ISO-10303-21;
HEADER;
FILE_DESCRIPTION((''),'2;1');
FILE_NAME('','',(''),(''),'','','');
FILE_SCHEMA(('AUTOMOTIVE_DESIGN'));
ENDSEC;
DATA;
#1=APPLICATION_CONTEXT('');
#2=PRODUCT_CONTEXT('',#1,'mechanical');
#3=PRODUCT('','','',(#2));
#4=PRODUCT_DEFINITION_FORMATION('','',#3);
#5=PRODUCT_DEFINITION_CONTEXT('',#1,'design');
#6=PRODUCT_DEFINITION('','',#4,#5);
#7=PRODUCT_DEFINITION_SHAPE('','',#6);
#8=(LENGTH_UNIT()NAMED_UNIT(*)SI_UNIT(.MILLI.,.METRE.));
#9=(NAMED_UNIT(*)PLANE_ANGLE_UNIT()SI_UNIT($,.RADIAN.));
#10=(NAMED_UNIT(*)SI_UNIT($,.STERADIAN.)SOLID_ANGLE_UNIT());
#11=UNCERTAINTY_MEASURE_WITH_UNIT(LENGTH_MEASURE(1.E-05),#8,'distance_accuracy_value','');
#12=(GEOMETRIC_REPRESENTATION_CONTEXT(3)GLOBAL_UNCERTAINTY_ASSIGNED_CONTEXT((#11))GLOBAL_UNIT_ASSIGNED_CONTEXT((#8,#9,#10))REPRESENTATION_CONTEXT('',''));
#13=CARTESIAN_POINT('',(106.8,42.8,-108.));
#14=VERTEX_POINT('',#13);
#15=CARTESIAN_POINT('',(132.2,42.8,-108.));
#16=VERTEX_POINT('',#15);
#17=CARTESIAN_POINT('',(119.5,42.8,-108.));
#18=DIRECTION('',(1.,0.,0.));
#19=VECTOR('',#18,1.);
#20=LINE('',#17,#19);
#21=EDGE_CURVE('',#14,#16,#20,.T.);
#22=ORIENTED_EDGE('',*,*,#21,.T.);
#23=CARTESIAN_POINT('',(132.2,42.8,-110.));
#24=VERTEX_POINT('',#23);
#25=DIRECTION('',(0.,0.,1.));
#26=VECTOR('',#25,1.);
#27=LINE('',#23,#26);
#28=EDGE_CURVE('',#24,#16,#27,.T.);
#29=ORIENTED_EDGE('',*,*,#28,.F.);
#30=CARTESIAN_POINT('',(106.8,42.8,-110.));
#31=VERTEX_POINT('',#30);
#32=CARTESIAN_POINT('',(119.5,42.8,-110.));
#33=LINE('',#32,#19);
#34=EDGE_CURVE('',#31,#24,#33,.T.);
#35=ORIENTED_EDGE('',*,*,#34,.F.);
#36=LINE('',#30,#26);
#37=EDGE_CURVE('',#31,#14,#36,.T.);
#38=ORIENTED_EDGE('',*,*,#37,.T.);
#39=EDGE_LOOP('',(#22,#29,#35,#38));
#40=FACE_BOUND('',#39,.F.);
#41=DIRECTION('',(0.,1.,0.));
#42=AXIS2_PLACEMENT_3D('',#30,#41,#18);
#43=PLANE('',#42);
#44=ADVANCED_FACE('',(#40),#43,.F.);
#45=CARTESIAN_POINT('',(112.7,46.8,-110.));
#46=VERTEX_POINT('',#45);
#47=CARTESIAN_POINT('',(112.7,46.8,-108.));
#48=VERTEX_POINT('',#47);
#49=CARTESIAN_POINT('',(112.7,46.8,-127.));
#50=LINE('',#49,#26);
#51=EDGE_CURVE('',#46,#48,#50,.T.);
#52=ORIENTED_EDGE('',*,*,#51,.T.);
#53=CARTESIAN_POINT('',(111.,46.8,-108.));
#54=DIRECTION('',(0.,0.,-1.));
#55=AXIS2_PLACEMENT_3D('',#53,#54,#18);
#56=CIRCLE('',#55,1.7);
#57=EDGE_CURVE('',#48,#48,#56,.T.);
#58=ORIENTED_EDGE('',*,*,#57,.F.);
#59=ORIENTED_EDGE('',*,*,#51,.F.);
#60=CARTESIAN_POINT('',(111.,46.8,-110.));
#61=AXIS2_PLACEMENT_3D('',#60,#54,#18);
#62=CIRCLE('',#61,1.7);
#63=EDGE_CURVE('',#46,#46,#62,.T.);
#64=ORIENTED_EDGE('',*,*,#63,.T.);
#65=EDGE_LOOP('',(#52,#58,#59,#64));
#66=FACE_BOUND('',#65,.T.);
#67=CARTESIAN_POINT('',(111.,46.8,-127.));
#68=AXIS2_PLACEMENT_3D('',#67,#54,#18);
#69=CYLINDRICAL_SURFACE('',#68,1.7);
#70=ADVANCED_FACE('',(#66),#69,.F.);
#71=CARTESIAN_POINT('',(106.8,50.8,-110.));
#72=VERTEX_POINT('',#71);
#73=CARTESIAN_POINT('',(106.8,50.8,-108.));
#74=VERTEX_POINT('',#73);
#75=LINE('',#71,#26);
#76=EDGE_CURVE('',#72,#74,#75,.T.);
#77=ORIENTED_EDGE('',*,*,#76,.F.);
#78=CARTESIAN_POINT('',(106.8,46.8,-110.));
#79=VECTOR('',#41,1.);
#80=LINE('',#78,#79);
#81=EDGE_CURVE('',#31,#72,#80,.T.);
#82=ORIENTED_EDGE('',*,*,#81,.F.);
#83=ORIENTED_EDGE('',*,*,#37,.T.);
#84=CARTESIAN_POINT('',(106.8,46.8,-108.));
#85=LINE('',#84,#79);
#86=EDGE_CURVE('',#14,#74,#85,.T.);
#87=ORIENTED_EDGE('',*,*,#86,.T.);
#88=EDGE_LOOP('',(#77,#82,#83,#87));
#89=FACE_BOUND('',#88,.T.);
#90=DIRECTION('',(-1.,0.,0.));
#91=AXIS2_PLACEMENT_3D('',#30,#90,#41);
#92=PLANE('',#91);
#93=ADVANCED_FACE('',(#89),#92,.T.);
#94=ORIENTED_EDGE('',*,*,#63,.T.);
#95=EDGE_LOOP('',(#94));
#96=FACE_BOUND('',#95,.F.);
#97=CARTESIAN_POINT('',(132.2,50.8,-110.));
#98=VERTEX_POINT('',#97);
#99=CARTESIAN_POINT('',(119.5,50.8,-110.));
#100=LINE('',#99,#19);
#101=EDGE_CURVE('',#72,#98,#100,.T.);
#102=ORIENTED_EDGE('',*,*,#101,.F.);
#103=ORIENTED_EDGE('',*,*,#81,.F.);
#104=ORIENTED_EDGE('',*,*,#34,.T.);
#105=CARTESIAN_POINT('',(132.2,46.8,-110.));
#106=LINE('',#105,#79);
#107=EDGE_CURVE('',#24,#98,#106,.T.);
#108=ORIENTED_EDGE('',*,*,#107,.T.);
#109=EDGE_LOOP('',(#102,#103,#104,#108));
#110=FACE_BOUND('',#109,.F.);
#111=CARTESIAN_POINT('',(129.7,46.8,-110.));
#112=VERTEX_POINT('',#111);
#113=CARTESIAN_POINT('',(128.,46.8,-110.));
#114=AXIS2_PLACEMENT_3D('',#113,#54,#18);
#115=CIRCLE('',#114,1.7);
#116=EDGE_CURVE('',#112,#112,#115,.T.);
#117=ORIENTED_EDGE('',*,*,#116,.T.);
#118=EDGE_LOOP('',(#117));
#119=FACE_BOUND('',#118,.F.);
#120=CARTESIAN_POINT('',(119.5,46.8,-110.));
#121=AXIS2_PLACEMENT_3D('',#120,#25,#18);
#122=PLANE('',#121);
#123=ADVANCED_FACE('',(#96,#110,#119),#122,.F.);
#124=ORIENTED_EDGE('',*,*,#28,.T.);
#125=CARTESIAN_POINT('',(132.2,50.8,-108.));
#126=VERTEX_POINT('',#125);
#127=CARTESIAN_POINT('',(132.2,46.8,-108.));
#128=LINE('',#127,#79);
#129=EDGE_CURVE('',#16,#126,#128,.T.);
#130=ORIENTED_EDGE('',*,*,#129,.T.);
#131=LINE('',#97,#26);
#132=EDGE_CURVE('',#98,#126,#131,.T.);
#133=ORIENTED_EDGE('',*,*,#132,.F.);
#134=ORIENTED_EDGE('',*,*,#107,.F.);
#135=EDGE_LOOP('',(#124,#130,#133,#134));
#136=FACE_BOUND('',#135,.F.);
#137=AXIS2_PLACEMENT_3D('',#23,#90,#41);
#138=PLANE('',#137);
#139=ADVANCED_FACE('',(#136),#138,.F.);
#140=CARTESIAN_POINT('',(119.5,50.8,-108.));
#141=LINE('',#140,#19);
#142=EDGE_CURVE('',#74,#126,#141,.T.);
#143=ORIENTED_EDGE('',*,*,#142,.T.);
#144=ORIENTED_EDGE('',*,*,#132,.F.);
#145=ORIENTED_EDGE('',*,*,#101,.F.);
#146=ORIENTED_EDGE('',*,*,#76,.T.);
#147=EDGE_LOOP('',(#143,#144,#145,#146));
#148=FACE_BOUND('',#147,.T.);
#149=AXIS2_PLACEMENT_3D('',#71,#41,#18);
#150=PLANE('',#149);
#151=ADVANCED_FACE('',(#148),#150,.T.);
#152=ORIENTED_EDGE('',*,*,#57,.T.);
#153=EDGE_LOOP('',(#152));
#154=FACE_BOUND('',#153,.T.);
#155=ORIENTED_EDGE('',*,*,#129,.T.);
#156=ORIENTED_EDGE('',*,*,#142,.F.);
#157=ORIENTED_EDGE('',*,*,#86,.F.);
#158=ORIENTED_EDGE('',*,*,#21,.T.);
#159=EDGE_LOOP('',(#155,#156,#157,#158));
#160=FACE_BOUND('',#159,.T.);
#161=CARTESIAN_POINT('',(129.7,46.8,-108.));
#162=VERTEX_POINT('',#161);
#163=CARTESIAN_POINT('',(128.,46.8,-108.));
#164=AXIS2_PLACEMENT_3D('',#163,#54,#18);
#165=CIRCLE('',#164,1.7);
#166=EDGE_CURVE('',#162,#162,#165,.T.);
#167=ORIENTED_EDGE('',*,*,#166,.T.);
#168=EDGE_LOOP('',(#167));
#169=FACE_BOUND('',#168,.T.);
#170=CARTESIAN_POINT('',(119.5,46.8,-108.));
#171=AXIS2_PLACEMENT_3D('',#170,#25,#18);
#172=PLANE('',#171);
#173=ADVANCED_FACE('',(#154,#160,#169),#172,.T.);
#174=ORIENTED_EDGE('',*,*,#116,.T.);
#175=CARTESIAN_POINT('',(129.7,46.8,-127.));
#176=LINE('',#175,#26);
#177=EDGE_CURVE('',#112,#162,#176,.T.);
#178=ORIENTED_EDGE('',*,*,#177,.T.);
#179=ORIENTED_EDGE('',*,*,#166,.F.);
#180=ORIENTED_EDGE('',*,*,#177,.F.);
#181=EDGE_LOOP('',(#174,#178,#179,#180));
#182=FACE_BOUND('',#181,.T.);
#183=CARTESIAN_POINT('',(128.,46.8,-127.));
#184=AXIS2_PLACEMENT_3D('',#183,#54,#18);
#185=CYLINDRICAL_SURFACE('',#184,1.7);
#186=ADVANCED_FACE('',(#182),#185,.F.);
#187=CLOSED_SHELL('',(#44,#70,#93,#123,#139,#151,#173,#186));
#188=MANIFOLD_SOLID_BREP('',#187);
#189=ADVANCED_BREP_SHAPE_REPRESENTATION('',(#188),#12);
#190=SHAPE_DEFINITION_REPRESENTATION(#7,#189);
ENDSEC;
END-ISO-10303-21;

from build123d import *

# Parameters (mm, degrees)
CYLINDER009_R     = 1.7
CYLINDER009_DEPTH = 30
CYLINDER007_R     = 1.7
CYLINDER007_DEPTH = 30
BOX015_W          = 25.4
BOX015_H          = 8
BOX015_DEPTH      = 2


with BuildPart() as cylinder009:
    # Cylinder009 → Cylinder009 (new body)
    with BuildSketch(Plane(origin=(128, 46.8, -127), x_dir=(1, 0, 0), z_dir=(0, 0, 1))):
        Circle(CYLINDER009_R)
    extrude(amount=CYLINDER009_DEPTH)


with BuildPart() as cylinder007:
    # Cylinder007 → Cylinder007 (new body)
    with BuildSketch(Plane(origin=(111, 46.8, -127), x_dir=(1, 0, 0), z_dir=(0, 0, 1))):
        Circle(CYLINDER007_R)
    extrude(amount=CYLINDER007_DEPTH)


with BuildPart() as cut010:
    # Box015 → Box015 (new body)
    with BuildSketch(Plane(origin=(106.8, 42.8, -110), x_dir=(1, 0, 0), z_dir=(0, 0, 1))):
        with Locations((12.7, 4)):
            Rectangle(BOX015_W, BOX015_H)
    extrude(amount=BOX015_DEPTH)

    # Cut009: cut Cylinder007
    add(cylinder007.part, mode=Mode.SUBTRACT)

    # Cut010: cut Cylinder009
    add(cylinder009.part, mode=Mode.SUBTRACT)


solid = cut010.part
